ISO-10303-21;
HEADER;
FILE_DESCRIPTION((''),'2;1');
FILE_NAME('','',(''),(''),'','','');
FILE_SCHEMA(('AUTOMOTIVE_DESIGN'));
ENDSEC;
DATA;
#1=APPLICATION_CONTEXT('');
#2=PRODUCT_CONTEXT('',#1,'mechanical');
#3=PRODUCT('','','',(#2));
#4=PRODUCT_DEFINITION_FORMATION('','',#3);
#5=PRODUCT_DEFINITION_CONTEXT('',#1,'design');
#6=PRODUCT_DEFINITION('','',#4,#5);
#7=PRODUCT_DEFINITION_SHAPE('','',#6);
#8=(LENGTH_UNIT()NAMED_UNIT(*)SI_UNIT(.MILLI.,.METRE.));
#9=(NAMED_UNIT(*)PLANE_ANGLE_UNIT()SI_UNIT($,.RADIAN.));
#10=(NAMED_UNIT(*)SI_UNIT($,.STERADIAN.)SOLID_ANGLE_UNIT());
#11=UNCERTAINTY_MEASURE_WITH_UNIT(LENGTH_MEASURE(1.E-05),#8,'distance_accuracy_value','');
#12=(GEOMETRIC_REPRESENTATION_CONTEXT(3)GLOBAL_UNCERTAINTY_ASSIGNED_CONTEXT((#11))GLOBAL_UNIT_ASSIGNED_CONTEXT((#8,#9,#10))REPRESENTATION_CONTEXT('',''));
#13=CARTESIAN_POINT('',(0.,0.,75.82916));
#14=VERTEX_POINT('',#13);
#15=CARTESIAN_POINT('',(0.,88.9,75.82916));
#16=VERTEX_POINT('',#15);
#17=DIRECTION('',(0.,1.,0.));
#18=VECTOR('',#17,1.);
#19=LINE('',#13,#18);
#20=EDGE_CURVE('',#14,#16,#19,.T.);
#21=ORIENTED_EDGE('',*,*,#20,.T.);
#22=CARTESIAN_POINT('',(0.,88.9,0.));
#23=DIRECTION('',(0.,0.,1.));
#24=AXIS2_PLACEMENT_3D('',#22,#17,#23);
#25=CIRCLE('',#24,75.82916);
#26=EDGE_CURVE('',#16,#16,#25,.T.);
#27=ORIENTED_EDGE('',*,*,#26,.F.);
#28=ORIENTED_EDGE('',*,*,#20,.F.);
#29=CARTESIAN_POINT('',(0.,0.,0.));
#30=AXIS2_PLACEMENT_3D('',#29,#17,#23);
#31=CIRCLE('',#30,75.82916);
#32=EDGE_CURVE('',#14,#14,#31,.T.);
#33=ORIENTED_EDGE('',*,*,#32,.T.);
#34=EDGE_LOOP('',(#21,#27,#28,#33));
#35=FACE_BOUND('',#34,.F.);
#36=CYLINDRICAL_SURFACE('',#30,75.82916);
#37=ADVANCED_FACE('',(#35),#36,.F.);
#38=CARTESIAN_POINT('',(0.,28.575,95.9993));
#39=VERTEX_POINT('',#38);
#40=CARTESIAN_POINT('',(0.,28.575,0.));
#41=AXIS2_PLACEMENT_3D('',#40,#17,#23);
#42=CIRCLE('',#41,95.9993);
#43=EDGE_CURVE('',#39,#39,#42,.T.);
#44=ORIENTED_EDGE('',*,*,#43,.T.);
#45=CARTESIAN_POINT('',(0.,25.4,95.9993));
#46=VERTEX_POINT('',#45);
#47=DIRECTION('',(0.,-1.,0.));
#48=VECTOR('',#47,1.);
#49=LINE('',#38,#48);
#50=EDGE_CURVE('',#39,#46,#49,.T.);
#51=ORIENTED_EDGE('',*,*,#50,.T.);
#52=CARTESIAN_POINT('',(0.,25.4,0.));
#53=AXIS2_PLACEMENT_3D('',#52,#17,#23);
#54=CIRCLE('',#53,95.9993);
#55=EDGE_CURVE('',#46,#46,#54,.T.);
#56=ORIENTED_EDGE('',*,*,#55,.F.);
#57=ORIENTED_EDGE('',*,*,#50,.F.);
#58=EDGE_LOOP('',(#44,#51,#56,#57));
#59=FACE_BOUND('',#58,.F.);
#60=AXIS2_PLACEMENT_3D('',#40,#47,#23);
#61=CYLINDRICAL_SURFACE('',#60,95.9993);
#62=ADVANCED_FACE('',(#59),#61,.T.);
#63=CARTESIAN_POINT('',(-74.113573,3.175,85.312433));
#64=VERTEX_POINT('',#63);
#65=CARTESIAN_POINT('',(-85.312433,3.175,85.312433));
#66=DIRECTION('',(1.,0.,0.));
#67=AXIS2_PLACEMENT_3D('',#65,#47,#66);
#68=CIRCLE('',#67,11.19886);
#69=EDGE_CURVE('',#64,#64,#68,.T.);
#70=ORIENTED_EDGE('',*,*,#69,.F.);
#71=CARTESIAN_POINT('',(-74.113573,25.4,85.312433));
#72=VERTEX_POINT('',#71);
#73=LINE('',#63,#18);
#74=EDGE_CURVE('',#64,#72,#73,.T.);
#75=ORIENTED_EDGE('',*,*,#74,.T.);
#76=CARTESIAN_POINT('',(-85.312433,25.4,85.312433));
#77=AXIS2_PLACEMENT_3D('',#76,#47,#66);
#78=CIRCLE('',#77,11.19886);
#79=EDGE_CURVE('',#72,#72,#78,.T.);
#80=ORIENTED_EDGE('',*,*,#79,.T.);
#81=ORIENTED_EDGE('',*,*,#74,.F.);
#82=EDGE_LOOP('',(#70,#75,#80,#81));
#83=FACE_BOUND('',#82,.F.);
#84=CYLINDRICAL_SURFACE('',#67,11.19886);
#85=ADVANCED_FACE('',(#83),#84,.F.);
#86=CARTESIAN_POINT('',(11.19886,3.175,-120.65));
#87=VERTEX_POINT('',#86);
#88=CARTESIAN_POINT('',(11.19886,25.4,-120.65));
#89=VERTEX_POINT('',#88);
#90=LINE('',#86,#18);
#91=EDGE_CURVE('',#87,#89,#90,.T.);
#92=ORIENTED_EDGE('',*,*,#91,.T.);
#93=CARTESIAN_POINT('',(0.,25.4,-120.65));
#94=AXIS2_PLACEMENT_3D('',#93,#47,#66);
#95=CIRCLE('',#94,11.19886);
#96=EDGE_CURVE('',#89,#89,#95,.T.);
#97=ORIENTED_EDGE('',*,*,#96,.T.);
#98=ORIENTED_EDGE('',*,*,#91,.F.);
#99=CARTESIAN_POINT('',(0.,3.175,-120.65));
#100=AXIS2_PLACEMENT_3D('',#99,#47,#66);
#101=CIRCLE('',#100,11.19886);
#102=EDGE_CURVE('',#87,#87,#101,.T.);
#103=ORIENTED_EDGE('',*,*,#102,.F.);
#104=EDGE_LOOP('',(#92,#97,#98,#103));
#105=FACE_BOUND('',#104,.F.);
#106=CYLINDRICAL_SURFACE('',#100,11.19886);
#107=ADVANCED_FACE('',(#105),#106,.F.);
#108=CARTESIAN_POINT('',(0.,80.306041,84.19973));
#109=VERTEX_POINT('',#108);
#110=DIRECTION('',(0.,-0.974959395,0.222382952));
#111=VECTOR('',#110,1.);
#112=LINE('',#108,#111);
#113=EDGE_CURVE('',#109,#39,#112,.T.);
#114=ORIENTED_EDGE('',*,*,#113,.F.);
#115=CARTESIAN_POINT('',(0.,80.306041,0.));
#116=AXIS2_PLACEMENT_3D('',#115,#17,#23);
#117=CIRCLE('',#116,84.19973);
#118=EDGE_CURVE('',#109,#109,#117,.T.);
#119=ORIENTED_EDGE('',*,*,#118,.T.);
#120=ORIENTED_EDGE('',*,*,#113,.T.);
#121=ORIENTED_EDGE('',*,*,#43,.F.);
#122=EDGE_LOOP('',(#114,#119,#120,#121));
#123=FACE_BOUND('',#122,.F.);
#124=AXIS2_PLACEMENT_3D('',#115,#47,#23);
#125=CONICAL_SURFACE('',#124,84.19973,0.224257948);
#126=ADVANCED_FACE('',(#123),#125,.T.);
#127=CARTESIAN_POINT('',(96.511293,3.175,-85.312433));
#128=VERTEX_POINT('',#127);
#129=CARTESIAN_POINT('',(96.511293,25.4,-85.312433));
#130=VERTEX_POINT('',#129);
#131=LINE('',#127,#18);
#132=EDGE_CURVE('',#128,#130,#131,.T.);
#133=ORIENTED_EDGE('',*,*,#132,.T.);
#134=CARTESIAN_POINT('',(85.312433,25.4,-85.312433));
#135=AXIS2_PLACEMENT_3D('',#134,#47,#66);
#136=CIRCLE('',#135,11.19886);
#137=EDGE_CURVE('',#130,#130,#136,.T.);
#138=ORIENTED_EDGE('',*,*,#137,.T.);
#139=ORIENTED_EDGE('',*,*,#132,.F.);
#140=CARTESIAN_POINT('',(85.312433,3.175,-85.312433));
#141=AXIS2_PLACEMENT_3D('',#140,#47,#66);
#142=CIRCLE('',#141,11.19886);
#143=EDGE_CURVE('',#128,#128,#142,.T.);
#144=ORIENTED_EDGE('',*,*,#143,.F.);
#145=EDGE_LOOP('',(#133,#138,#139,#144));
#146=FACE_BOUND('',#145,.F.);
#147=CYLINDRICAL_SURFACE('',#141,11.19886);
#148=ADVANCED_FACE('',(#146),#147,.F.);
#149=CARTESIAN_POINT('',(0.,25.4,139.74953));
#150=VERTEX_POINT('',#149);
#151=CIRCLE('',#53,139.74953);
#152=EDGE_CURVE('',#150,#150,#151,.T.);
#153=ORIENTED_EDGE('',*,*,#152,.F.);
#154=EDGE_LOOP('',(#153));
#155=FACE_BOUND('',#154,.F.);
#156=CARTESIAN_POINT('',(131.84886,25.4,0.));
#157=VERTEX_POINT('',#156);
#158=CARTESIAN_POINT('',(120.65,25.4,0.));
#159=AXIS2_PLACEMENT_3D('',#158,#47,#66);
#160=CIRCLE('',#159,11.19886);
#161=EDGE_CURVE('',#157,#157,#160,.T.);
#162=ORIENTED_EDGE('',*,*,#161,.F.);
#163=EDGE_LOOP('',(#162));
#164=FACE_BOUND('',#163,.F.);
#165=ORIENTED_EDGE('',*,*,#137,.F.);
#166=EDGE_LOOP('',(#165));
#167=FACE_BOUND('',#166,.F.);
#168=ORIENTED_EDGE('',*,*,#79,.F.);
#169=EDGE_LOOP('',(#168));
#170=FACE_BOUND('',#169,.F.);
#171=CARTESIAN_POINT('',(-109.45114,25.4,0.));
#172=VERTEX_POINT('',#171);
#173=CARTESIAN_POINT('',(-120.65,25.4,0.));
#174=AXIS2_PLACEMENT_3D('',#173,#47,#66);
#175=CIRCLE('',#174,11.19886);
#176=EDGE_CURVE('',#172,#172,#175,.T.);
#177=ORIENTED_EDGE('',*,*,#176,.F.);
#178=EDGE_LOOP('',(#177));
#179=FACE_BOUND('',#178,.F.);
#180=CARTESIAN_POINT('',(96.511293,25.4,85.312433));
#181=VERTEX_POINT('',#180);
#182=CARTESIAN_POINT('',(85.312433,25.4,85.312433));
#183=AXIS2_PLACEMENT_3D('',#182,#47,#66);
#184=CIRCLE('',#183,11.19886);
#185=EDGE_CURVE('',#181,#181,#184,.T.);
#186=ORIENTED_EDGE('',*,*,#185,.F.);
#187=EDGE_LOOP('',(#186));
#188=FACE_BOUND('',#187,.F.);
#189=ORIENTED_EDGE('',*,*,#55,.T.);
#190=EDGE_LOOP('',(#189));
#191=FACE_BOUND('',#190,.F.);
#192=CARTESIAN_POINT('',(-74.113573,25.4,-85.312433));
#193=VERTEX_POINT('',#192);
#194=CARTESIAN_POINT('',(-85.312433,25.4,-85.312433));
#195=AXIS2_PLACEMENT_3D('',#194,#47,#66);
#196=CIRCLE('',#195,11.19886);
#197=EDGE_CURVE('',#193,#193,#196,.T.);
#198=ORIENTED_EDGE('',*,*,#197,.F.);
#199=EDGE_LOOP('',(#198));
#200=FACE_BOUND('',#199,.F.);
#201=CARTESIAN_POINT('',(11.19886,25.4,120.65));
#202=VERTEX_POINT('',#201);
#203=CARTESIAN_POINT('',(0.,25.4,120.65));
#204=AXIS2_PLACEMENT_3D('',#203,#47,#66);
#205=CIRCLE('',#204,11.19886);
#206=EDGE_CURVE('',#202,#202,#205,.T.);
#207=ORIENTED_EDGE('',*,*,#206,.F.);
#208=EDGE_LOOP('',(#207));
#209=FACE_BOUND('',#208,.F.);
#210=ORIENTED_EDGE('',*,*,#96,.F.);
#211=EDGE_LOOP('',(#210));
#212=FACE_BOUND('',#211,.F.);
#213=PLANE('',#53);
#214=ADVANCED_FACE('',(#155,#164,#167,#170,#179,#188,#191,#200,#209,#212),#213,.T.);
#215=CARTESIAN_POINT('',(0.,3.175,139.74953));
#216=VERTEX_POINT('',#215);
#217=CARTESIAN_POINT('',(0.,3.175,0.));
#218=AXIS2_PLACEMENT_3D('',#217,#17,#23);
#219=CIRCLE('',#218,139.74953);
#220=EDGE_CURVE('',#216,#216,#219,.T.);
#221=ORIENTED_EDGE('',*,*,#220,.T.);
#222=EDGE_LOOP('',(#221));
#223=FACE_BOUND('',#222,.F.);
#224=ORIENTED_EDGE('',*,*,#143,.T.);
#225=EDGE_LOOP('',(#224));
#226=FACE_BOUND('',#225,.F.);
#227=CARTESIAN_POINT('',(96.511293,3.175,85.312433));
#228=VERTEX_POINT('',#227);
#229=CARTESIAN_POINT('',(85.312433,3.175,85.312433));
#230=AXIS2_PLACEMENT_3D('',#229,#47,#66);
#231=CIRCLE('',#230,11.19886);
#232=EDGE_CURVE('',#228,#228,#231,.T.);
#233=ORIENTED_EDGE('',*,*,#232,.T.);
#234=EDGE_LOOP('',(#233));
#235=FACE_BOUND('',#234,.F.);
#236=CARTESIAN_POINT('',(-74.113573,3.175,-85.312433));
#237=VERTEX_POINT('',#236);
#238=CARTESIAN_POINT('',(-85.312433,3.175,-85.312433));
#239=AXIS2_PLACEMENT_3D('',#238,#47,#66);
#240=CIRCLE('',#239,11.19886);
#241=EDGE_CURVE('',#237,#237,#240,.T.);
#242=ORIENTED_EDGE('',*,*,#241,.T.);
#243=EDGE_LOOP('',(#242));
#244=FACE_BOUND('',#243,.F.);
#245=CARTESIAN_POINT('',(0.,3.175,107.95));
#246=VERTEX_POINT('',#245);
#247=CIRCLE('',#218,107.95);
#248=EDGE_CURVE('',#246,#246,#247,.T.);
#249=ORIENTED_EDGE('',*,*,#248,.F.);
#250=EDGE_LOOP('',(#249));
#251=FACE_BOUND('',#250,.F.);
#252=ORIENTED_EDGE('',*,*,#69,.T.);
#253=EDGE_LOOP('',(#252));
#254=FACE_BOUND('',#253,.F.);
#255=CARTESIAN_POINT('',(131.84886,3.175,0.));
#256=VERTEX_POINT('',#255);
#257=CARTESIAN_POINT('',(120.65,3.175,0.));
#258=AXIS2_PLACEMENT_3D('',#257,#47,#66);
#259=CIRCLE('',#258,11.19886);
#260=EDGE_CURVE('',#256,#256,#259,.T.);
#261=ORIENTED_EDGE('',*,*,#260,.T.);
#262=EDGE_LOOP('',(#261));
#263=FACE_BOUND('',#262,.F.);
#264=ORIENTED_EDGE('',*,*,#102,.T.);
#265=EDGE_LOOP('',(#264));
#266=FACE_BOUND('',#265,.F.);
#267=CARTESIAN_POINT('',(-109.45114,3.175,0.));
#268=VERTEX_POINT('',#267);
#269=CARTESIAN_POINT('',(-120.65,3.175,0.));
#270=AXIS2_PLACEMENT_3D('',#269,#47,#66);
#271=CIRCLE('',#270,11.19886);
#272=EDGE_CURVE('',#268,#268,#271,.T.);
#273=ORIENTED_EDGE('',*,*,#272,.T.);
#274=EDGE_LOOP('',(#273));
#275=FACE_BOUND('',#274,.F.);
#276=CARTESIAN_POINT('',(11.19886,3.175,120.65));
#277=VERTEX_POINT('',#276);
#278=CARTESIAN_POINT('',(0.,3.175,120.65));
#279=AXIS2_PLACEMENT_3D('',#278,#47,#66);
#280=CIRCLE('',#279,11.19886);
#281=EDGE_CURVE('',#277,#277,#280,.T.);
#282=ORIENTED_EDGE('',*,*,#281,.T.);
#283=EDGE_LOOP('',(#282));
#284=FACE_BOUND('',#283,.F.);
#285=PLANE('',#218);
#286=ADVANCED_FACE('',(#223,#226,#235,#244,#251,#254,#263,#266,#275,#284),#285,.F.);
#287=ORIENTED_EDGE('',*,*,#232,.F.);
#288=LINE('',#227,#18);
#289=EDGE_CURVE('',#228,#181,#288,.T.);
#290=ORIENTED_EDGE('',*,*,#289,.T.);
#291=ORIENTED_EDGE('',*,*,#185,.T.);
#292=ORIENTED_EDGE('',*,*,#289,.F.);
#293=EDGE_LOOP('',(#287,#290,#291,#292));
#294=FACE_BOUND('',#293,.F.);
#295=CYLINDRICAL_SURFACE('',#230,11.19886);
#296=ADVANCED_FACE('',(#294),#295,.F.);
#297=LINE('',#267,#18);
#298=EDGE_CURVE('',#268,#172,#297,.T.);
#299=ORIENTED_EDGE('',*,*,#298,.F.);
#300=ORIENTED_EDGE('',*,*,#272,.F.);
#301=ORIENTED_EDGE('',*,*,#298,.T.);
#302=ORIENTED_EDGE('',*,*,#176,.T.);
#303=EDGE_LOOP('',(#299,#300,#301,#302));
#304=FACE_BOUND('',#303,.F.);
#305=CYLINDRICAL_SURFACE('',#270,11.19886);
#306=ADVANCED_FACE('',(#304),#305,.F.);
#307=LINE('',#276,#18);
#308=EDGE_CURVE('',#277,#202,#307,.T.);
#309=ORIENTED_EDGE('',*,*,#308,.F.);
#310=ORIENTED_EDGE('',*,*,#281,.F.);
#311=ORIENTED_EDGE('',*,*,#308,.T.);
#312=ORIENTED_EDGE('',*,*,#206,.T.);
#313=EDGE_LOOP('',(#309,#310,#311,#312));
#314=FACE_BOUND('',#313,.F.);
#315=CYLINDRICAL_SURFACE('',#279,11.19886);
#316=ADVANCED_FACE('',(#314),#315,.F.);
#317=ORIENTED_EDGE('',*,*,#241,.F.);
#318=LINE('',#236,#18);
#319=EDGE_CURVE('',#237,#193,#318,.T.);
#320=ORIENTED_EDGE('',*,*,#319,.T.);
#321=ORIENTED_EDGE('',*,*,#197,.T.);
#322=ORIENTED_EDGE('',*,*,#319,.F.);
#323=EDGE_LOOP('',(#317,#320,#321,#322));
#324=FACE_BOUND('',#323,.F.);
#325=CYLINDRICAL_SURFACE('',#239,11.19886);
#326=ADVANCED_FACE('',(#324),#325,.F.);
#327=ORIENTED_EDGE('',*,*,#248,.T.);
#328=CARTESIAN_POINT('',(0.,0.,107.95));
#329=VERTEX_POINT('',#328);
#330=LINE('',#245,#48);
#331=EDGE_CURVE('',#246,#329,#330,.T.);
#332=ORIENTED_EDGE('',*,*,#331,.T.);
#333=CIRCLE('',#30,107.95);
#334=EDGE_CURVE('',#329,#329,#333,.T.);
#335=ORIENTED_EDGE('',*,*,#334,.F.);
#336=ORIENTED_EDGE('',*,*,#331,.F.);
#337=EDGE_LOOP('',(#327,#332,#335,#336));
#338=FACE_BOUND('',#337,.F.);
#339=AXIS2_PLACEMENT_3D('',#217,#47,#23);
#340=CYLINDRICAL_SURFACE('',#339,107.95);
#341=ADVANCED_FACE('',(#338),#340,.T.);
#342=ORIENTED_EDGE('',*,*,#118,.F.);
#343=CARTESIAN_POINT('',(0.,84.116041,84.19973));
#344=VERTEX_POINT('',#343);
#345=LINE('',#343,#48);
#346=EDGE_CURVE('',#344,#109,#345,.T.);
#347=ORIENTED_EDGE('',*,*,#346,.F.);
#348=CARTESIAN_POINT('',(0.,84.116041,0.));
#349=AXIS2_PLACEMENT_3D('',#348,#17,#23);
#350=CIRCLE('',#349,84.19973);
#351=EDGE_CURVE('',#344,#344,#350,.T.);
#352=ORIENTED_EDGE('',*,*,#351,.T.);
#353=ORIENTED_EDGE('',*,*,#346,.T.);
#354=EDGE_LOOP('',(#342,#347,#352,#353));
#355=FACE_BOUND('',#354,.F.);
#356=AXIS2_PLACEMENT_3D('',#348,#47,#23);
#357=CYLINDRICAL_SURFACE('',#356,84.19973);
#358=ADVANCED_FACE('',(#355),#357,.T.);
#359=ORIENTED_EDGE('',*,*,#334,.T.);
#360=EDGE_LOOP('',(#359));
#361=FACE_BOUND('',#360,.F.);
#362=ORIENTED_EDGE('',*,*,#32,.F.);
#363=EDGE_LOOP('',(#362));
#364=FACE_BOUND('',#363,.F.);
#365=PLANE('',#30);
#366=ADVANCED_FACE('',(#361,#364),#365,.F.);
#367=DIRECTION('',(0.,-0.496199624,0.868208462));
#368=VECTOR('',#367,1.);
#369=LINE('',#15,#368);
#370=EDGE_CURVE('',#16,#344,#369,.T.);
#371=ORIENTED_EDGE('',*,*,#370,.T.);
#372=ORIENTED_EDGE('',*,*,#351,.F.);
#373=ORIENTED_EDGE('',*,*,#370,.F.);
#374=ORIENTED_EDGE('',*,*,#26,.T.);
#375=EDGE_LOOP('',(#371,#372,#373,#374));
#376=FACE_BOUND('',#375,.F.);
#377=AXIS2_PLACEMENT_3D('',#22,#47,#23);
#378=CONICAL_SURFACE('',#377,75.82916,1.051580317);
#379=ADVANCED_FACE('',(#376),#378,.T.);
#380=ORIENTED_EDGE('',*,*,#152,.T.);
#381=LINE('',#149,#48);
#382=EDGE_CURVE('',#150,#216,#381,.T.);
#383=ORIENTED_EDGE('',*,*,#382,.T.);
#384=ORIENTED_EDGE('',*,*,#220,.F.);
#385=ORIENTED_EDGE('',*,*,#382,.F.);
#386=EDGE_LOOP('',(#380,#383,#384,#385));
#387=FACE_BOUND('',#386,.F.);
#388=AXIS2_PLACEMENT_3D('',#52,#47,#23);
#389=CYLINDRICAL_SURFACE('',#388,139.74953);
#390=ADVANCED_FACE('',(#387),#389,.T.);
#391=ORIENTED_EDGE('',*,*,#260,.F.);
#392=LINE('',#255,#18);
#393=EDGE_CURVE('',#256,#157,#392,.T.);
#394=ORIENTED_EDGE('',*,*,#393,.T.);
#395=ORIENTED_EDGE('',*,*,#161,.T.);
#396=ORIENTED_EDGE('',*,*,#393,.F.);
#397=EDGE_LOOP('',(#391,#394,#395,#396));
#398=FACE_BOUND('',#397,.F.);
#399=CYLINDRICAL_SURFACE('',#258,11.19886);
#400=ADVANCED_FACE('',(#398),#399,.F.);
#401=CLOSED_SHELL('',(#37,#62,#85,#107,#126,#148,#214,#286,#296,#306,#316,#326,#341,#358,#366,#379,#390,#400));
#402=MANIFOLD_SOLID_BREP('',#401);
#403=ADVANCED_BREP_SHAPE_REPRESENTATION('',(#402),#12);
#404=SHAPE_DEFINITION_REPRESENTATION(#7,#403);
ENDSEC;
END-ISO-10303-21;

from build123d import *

# Parameters (mm, degrees)
F2_R     = 11.19886
F3_DEPTH = 85.726


with BuildPart() as f1:
    # F0 (on Right) → F1 (revolve)
    with BuildSketch(Plane.YZ):
        Polygon((0, 107.95), (0, 75.82916), (88.9, 75.82916), (84.116041, 84.19973), (80.306041, 84.19973), (28.575, 95.9993), (25.4, 95.9993), (25.4, 139.74953), (3.175, 139.74953), (3.175, 107.95), align=None)
    revolve(axis=Axis((0, -0.252383, 0), (0, 1, 0)))

    # F2 (on face) → F3 (cut, through all)
    with BuildSketch(Plane.XZ.offset(-3.175)):
        with Locations((-85.312433, 85.312433)):
            Circle(F2_R)
        with Locations((0, 120.65)):
            Circle(F2_R)
        with Locations((85.312433, 85.312433)):
            Circle(F2_R)
        with Locations((120.65, 0)):
            Circle(F2_R)
        with Locations((85.312433, -85.312433)):
            Circle(F2_R)
        with Locations((0, -120.65)):
            Circle(F2_R)
        with Locations((-85.312433, -85.312433)):
            Circle(F2_R)
        with Locations((-120.65, 0)):
            Circle(F2_R)
    extrude(amount=-F3_DEPTH, mode=Mode.SUBTRACT)


solid = f1.part
